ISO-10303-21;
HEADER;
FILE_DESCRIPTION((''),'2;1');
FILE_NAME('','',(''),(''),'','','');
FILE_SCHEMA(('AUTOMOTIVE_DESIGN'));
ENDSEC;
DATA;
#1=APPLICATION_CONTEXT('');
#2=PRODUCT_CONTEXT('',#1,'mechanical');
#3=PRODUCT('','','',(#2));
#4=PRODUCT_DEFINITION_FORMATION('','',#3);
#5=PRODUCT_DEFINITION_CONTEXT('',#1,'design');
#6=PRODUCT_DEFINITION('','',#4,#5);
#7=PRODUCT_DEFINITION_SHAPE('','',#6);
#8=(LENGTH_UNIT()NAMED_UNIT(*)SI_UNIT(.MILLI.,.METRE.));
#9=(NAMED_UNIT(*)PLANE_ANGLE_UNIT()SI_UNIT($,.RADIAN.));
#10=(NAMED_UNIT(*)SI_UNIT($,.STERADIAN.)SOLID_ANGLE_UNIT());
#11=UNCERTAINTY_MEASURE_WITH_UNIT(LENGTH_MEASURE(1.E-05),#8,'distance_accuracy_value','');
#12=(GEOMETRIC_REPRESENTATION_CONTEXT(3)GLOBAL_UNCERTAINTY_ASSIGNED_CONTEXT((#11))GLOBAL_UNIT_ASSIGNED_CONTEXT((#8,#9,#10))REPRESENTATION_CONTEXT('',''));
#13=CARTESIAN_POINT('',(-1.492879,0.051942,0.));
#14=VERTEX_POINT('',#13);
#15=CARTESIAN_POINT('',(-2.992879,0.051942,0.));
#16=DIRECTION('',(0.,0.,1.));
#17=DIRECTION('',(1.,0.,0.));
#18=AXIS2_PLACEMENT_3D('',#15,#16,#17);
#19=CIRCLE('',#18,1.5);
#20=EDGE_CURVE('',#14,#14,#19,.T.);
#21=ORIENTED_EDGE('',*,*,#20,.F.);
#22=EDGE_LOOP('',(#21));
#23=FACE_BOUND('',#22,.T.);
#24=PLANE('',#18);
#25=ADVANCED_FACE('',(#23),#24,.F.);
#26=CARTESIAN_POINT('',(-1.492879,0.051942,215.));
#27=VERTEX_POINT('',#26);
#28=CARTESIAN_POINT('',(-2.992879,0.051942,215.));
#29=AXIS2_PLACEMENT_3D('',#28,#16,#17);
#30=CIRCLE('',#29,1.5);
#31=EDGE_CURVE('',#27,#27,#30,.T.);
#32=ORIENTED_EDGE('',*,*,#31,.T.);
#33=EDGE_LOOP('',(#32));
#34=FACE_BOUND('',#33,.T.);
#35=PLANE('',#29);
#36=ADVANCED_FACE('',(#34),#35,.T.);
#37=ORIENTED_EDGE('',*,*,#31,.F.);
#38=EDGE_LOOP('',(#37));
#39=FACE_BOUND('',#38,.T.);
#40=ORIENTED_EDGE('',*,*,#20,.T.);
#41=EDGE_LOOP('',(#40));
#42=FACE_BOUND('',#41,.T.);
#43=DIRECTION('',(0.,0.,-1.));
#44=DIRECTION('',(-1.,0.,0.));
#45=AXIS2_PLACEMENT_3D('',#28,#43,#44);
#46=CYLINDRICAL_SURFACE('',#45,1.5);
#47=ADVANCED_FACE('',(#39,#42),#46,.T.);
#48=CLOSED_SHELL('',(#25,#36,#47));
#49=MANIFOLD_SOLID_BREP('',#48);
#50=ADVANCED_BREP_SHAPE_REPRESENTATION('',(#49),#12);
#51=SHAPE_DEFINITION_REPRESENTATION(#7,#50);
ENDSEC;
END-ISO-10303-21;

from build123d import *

# Parameters (mm, degrees)
SKETCH1_R           = 1.5
BOSS_EXTRUDE2_DEPTH = 215


with BuildPart() as part:
    # Sketch1 → Boss-Extrude2 (new body)
    with BuildSketch(Plane.XY):
        with Locations((-2.99287928, 0.051942023)):
            Circle(SKETCH1_R)
    extrude(amount=BOSS_EXTRUDE2_DEPTH)


solid = part.part
